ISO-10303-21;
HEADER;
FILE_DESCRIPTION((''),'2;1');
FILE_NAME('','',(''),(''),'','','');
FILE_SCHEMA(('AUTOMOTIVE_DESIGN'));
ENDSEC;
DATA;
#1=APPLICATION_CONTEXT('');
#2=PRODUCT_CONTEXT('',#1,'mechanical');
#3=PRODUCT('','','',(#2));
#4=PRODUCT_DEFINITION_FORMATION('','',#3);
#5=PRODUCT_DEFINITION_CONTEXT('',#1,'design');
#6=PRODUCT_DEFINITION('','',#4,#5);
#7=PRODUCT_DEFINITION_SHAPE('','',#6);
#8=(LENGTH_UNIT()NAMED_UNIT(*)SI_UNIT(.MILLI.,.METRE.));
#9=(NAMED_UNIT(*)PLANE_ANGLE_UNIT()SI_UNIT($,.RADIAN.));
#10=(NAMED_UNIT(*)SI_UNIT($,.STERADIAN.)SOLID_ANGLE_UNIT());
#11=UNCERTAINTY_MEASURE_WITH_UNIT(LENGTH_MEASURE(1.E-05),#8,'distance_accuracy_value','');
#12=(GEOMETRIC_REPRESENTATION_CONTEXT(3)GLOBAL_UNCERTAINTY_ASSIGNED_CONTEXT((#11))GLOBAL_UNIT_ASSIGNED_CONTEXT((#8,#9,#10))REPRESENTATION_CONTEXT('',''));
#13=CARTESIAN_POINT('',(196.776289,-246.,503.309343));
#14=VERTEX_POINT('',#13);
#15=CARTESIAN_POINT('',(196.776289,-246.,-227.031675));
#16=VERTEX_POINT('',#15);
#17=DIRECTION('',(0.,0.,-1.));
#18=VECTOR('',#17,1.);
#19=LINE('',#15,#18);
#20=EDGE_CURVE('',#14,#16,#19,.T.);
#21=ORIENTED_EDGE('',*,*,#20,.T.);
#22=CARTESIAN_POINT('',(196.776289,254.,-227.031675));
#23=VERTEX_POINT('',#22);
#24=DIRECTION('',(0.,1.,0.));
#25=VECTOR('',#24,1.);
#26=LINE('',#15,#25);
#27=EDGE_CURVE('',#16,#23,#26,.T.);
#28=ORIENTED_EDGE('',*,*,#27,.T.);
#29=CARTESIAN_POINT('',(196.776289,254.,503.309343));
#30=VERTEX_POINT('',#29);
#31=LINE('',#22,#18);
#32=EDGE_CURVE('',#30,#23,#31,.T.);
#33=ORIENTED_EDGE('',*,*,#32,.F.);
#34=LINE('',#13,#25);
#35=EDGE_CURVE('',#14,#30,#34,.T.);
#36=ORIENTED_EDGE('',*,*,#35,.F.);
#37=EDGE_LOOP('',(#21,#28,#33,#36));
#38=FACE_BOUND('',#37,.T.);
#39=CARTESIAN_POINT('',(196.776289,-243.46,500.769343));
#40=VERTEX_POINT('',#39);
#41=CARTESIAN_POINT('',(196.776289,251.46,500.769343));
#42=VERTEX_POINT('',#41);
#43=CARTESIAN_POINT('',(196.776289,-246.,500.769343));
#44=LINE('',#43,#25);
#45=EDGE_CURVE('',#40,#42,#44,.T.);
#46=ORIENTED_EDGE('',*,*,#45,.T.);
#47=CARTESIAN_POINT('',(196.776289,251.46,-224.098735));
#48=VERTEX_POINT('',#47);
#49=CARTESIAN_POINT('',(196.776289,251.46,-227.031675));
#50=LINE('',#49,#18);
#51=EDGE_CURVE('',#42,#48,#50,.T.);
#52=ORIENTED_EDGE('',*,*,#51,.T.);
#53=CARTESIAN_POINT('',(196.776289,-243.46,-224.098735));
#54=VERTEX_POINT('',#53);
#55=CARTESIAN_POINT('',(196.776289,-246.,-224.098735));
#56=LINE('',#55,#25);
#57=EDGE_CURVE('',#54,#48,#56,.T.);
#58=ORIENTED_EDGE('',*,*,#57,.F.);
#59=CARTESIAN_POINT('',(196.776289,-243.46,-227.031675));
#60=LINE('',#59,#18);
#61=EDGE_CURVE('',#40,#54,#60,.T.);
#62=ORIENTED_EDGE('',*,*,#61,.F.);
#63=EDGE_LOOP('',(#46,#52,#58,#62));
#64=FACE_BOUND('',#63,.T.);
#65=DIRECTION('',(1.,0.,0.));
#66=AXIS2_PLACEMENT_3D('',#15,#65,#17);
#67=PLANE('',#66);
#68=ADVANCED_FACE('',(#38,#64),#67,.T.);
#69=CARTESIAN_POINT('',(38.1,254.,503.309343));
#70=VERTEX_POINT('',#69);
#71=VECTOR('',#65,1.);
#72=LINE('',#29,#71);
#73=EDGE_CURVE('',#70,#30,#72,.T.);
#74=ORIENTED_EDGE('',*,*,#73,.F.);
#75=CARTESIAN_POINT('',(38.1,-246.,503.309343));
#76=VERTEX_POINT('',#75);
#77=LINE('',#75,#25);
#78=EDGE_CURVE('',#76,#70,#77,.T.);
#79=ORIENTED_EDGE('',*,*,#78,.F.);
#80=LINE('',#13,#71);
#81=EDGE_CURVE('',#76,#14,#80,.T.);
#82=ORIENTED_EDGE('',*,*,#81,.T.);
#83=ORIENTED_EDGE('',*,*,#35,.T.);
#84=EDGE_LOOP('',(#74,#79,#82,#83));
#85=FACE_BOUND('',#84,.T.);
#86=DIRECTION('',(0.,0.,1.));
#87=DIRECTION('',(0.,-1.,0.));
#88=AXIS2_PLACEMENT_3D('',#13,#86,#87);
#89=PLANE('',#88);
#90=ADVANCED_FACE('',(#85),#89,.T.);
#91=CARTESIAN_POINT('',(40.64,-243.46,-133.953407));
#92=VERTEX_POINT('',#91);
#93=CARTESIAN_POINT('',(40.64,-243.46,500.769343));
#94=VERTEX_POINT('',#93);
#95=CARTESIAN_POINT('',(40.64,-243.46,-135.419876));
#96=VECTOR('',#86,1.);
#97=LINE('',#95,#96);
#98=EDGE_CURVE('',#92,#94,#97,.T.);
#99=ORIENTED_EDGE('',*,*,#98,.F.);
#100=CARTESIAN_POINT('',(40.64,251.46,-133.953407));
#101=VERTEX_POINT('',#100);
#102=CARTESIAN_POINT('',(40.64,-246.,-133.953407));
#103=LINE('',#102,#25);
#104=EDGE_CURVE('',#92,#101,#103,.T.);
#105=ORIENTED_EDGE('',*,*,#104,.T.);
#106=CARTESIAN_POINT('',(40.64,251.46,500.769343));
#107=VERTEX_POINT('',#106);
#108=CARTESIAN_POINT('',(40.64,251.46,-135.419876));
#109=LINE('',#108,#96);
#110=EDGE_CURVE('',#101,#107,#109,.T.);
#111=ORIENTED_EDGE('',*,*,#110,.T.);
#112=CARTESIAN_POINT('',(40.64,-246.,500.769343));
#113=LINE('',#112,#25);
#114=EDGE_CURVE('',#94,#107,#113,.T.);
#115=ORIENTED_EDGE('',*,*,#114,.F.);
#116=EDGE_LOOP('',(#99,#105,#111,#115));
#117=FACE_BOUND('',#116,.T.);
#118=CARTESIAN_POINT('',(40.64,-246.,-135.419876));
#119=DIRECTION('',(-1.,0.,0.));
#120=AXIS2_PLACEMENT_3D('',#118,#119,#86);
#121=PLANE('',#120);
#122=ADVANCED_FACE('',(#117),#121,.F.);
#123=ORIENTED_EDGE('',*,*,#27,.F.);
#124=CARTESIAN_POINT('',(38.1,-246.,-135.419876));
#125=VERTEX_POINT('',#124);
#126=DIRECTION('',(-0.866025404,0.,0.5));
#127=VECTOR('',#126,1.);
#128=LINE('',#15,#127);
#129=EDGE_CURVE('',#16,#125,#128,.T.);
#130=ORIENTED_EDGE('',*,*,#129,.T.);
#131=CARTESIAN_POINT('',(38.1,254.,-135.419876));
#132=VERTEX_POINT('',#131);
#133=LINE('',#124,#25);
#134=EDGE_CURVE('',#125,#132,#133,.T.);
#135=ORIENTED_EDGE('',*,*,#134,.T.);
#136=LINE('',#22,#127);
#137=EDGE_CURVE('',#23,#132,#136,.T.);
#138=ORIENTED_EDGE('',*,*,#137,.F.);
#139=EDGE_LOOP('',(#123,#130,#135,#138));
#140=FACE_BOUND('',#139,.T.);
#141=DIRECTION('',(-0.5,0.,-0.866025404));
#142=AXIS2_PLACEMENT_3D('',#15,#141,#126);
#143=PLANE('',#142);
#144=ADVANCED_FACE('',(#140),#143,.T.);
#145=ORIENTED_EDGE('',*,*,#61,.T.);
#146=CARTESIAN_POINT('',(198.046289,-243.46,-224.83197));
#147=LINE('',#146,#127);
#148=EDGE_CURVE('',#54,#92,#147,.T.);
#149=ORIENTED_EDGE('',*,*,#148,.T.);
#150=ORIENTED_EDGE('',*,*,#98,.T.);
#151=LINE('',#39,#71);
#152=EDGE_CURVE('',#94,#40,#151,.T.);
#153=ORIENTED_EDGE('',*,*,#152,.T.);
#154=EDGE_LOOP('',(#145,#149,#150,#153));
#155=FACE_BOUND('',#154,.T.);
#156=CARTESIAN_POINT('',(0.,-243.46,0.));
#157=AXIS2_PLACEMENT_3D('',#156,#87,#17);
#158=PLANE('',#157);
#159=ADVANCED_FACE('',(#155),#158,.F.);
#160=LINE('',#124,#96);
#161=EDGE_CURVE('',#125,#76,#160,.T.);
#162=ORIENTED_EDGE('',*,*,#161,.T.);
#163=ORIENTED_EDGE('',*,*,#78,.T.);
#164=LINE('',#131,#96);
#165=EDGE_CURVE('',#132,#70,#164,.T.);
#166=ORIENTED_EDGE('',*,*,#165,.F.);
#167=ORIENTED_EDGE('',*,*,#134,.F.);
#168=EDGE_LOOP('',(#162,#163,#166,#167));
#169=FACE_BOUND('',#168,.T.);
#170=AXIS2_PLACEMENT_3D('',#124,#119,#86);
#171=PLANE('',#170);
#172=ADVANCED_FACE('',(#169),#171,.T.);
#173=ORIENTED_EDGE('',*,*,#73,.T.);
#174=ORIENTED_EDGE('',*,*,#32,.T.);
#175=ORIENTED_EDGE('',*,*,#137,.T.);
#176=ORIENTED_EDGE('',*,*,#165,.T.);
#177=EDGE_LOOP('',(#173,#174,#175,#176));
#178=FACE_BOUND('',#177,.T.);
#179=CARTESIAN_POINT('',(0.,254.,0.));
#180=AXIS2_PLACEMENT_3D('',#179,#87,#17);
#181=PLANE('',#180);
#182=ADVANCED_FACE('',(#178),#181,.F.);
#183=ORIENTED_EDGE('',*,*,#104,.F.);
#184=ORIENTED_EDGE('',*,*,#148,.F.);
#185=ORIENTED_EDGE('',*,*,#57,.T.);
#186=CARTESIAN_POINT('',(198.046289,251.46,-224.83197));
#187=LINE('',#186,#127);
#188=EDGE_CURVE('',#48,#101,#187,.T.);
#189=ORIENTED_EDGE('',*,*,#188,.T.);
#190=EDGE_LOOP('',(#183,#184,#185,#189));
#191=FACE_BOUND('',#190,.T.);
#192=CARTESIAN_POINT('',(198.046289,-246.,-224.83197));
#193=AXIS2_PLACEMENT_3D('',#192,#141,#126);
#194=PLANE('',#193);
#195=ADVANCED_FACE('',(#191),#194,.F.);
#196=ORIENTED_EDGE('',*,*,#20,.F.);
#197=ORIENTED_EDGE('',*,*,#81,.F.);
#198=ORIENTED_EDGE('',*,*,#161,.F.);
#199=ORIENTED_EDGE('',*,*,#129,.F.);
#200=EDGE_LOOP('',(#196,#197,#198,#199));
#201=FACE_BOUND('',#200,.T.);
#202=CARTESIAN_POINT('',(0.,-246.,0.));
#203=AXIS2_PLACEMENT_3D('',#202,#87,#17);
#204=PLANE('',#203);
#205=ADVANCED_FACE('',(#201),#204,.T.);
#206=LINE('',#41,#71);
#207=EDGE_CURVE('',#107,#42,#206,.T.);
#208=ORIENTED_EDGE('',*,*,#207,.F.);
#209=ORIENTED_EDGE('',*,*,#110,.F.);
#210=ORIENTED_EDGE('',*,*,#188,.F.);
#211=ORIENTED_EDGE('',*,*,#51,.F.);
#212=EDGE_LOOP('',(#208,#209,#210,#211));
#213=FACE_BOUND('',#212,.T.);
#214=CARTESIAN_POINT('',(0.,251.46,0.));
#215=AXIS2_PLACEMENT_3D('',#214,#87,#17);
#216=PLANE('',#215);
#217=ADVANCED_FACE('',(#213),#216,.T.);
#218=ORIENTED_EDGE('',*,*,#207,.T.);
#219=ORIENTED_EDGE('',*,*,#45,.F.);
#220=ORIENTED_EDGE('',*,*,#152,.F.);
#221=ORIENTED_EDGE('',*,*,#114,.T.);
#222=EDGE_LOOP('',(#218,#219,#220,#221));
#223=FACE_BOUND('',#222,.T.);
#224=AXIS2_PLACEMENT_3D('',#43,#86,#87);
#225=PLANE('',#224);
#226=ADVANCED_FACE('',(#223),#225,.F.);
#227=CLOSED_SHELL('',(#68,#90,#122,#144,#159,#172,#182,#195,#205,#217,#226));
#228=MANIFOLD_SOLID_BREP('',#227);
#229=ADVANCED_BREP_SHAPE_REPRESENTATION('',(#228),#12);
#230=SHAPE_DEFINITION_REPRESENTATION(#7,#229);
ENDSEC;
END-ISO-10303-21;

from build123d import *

# Parameters (mm, degrees)
BOSS_EXTRUDE1_DEPTH = 500
SHELL1_T            = -2.54


with BuildPart() as part:
    # Sketch1 → Boss-Extrude1 (new body)
    with BuildSketch(Plane(origin=(0, 254, 0), x_dir=(1, 0, 0), z_dir=(0, 1, 0))):
        Polygon((196.776289053, 227.031674573), (38.1, 135.419876374), (38.1, -503.309343177), (196.776289053, -503.309343177), align=None)
    extrude(amount=-BOSS_EXTRUDE1_DEPTH)

    # Shell1
    shell1_openings = [part.faces().sort_by_distance(p)[0] for p in [
        (196.776289053, 4, 138.138834302),
    ]]
    offset(amount=SHELL1_T, openings=shell1_openings, kind=Kind.INTERSECTION)


solid = part.part
